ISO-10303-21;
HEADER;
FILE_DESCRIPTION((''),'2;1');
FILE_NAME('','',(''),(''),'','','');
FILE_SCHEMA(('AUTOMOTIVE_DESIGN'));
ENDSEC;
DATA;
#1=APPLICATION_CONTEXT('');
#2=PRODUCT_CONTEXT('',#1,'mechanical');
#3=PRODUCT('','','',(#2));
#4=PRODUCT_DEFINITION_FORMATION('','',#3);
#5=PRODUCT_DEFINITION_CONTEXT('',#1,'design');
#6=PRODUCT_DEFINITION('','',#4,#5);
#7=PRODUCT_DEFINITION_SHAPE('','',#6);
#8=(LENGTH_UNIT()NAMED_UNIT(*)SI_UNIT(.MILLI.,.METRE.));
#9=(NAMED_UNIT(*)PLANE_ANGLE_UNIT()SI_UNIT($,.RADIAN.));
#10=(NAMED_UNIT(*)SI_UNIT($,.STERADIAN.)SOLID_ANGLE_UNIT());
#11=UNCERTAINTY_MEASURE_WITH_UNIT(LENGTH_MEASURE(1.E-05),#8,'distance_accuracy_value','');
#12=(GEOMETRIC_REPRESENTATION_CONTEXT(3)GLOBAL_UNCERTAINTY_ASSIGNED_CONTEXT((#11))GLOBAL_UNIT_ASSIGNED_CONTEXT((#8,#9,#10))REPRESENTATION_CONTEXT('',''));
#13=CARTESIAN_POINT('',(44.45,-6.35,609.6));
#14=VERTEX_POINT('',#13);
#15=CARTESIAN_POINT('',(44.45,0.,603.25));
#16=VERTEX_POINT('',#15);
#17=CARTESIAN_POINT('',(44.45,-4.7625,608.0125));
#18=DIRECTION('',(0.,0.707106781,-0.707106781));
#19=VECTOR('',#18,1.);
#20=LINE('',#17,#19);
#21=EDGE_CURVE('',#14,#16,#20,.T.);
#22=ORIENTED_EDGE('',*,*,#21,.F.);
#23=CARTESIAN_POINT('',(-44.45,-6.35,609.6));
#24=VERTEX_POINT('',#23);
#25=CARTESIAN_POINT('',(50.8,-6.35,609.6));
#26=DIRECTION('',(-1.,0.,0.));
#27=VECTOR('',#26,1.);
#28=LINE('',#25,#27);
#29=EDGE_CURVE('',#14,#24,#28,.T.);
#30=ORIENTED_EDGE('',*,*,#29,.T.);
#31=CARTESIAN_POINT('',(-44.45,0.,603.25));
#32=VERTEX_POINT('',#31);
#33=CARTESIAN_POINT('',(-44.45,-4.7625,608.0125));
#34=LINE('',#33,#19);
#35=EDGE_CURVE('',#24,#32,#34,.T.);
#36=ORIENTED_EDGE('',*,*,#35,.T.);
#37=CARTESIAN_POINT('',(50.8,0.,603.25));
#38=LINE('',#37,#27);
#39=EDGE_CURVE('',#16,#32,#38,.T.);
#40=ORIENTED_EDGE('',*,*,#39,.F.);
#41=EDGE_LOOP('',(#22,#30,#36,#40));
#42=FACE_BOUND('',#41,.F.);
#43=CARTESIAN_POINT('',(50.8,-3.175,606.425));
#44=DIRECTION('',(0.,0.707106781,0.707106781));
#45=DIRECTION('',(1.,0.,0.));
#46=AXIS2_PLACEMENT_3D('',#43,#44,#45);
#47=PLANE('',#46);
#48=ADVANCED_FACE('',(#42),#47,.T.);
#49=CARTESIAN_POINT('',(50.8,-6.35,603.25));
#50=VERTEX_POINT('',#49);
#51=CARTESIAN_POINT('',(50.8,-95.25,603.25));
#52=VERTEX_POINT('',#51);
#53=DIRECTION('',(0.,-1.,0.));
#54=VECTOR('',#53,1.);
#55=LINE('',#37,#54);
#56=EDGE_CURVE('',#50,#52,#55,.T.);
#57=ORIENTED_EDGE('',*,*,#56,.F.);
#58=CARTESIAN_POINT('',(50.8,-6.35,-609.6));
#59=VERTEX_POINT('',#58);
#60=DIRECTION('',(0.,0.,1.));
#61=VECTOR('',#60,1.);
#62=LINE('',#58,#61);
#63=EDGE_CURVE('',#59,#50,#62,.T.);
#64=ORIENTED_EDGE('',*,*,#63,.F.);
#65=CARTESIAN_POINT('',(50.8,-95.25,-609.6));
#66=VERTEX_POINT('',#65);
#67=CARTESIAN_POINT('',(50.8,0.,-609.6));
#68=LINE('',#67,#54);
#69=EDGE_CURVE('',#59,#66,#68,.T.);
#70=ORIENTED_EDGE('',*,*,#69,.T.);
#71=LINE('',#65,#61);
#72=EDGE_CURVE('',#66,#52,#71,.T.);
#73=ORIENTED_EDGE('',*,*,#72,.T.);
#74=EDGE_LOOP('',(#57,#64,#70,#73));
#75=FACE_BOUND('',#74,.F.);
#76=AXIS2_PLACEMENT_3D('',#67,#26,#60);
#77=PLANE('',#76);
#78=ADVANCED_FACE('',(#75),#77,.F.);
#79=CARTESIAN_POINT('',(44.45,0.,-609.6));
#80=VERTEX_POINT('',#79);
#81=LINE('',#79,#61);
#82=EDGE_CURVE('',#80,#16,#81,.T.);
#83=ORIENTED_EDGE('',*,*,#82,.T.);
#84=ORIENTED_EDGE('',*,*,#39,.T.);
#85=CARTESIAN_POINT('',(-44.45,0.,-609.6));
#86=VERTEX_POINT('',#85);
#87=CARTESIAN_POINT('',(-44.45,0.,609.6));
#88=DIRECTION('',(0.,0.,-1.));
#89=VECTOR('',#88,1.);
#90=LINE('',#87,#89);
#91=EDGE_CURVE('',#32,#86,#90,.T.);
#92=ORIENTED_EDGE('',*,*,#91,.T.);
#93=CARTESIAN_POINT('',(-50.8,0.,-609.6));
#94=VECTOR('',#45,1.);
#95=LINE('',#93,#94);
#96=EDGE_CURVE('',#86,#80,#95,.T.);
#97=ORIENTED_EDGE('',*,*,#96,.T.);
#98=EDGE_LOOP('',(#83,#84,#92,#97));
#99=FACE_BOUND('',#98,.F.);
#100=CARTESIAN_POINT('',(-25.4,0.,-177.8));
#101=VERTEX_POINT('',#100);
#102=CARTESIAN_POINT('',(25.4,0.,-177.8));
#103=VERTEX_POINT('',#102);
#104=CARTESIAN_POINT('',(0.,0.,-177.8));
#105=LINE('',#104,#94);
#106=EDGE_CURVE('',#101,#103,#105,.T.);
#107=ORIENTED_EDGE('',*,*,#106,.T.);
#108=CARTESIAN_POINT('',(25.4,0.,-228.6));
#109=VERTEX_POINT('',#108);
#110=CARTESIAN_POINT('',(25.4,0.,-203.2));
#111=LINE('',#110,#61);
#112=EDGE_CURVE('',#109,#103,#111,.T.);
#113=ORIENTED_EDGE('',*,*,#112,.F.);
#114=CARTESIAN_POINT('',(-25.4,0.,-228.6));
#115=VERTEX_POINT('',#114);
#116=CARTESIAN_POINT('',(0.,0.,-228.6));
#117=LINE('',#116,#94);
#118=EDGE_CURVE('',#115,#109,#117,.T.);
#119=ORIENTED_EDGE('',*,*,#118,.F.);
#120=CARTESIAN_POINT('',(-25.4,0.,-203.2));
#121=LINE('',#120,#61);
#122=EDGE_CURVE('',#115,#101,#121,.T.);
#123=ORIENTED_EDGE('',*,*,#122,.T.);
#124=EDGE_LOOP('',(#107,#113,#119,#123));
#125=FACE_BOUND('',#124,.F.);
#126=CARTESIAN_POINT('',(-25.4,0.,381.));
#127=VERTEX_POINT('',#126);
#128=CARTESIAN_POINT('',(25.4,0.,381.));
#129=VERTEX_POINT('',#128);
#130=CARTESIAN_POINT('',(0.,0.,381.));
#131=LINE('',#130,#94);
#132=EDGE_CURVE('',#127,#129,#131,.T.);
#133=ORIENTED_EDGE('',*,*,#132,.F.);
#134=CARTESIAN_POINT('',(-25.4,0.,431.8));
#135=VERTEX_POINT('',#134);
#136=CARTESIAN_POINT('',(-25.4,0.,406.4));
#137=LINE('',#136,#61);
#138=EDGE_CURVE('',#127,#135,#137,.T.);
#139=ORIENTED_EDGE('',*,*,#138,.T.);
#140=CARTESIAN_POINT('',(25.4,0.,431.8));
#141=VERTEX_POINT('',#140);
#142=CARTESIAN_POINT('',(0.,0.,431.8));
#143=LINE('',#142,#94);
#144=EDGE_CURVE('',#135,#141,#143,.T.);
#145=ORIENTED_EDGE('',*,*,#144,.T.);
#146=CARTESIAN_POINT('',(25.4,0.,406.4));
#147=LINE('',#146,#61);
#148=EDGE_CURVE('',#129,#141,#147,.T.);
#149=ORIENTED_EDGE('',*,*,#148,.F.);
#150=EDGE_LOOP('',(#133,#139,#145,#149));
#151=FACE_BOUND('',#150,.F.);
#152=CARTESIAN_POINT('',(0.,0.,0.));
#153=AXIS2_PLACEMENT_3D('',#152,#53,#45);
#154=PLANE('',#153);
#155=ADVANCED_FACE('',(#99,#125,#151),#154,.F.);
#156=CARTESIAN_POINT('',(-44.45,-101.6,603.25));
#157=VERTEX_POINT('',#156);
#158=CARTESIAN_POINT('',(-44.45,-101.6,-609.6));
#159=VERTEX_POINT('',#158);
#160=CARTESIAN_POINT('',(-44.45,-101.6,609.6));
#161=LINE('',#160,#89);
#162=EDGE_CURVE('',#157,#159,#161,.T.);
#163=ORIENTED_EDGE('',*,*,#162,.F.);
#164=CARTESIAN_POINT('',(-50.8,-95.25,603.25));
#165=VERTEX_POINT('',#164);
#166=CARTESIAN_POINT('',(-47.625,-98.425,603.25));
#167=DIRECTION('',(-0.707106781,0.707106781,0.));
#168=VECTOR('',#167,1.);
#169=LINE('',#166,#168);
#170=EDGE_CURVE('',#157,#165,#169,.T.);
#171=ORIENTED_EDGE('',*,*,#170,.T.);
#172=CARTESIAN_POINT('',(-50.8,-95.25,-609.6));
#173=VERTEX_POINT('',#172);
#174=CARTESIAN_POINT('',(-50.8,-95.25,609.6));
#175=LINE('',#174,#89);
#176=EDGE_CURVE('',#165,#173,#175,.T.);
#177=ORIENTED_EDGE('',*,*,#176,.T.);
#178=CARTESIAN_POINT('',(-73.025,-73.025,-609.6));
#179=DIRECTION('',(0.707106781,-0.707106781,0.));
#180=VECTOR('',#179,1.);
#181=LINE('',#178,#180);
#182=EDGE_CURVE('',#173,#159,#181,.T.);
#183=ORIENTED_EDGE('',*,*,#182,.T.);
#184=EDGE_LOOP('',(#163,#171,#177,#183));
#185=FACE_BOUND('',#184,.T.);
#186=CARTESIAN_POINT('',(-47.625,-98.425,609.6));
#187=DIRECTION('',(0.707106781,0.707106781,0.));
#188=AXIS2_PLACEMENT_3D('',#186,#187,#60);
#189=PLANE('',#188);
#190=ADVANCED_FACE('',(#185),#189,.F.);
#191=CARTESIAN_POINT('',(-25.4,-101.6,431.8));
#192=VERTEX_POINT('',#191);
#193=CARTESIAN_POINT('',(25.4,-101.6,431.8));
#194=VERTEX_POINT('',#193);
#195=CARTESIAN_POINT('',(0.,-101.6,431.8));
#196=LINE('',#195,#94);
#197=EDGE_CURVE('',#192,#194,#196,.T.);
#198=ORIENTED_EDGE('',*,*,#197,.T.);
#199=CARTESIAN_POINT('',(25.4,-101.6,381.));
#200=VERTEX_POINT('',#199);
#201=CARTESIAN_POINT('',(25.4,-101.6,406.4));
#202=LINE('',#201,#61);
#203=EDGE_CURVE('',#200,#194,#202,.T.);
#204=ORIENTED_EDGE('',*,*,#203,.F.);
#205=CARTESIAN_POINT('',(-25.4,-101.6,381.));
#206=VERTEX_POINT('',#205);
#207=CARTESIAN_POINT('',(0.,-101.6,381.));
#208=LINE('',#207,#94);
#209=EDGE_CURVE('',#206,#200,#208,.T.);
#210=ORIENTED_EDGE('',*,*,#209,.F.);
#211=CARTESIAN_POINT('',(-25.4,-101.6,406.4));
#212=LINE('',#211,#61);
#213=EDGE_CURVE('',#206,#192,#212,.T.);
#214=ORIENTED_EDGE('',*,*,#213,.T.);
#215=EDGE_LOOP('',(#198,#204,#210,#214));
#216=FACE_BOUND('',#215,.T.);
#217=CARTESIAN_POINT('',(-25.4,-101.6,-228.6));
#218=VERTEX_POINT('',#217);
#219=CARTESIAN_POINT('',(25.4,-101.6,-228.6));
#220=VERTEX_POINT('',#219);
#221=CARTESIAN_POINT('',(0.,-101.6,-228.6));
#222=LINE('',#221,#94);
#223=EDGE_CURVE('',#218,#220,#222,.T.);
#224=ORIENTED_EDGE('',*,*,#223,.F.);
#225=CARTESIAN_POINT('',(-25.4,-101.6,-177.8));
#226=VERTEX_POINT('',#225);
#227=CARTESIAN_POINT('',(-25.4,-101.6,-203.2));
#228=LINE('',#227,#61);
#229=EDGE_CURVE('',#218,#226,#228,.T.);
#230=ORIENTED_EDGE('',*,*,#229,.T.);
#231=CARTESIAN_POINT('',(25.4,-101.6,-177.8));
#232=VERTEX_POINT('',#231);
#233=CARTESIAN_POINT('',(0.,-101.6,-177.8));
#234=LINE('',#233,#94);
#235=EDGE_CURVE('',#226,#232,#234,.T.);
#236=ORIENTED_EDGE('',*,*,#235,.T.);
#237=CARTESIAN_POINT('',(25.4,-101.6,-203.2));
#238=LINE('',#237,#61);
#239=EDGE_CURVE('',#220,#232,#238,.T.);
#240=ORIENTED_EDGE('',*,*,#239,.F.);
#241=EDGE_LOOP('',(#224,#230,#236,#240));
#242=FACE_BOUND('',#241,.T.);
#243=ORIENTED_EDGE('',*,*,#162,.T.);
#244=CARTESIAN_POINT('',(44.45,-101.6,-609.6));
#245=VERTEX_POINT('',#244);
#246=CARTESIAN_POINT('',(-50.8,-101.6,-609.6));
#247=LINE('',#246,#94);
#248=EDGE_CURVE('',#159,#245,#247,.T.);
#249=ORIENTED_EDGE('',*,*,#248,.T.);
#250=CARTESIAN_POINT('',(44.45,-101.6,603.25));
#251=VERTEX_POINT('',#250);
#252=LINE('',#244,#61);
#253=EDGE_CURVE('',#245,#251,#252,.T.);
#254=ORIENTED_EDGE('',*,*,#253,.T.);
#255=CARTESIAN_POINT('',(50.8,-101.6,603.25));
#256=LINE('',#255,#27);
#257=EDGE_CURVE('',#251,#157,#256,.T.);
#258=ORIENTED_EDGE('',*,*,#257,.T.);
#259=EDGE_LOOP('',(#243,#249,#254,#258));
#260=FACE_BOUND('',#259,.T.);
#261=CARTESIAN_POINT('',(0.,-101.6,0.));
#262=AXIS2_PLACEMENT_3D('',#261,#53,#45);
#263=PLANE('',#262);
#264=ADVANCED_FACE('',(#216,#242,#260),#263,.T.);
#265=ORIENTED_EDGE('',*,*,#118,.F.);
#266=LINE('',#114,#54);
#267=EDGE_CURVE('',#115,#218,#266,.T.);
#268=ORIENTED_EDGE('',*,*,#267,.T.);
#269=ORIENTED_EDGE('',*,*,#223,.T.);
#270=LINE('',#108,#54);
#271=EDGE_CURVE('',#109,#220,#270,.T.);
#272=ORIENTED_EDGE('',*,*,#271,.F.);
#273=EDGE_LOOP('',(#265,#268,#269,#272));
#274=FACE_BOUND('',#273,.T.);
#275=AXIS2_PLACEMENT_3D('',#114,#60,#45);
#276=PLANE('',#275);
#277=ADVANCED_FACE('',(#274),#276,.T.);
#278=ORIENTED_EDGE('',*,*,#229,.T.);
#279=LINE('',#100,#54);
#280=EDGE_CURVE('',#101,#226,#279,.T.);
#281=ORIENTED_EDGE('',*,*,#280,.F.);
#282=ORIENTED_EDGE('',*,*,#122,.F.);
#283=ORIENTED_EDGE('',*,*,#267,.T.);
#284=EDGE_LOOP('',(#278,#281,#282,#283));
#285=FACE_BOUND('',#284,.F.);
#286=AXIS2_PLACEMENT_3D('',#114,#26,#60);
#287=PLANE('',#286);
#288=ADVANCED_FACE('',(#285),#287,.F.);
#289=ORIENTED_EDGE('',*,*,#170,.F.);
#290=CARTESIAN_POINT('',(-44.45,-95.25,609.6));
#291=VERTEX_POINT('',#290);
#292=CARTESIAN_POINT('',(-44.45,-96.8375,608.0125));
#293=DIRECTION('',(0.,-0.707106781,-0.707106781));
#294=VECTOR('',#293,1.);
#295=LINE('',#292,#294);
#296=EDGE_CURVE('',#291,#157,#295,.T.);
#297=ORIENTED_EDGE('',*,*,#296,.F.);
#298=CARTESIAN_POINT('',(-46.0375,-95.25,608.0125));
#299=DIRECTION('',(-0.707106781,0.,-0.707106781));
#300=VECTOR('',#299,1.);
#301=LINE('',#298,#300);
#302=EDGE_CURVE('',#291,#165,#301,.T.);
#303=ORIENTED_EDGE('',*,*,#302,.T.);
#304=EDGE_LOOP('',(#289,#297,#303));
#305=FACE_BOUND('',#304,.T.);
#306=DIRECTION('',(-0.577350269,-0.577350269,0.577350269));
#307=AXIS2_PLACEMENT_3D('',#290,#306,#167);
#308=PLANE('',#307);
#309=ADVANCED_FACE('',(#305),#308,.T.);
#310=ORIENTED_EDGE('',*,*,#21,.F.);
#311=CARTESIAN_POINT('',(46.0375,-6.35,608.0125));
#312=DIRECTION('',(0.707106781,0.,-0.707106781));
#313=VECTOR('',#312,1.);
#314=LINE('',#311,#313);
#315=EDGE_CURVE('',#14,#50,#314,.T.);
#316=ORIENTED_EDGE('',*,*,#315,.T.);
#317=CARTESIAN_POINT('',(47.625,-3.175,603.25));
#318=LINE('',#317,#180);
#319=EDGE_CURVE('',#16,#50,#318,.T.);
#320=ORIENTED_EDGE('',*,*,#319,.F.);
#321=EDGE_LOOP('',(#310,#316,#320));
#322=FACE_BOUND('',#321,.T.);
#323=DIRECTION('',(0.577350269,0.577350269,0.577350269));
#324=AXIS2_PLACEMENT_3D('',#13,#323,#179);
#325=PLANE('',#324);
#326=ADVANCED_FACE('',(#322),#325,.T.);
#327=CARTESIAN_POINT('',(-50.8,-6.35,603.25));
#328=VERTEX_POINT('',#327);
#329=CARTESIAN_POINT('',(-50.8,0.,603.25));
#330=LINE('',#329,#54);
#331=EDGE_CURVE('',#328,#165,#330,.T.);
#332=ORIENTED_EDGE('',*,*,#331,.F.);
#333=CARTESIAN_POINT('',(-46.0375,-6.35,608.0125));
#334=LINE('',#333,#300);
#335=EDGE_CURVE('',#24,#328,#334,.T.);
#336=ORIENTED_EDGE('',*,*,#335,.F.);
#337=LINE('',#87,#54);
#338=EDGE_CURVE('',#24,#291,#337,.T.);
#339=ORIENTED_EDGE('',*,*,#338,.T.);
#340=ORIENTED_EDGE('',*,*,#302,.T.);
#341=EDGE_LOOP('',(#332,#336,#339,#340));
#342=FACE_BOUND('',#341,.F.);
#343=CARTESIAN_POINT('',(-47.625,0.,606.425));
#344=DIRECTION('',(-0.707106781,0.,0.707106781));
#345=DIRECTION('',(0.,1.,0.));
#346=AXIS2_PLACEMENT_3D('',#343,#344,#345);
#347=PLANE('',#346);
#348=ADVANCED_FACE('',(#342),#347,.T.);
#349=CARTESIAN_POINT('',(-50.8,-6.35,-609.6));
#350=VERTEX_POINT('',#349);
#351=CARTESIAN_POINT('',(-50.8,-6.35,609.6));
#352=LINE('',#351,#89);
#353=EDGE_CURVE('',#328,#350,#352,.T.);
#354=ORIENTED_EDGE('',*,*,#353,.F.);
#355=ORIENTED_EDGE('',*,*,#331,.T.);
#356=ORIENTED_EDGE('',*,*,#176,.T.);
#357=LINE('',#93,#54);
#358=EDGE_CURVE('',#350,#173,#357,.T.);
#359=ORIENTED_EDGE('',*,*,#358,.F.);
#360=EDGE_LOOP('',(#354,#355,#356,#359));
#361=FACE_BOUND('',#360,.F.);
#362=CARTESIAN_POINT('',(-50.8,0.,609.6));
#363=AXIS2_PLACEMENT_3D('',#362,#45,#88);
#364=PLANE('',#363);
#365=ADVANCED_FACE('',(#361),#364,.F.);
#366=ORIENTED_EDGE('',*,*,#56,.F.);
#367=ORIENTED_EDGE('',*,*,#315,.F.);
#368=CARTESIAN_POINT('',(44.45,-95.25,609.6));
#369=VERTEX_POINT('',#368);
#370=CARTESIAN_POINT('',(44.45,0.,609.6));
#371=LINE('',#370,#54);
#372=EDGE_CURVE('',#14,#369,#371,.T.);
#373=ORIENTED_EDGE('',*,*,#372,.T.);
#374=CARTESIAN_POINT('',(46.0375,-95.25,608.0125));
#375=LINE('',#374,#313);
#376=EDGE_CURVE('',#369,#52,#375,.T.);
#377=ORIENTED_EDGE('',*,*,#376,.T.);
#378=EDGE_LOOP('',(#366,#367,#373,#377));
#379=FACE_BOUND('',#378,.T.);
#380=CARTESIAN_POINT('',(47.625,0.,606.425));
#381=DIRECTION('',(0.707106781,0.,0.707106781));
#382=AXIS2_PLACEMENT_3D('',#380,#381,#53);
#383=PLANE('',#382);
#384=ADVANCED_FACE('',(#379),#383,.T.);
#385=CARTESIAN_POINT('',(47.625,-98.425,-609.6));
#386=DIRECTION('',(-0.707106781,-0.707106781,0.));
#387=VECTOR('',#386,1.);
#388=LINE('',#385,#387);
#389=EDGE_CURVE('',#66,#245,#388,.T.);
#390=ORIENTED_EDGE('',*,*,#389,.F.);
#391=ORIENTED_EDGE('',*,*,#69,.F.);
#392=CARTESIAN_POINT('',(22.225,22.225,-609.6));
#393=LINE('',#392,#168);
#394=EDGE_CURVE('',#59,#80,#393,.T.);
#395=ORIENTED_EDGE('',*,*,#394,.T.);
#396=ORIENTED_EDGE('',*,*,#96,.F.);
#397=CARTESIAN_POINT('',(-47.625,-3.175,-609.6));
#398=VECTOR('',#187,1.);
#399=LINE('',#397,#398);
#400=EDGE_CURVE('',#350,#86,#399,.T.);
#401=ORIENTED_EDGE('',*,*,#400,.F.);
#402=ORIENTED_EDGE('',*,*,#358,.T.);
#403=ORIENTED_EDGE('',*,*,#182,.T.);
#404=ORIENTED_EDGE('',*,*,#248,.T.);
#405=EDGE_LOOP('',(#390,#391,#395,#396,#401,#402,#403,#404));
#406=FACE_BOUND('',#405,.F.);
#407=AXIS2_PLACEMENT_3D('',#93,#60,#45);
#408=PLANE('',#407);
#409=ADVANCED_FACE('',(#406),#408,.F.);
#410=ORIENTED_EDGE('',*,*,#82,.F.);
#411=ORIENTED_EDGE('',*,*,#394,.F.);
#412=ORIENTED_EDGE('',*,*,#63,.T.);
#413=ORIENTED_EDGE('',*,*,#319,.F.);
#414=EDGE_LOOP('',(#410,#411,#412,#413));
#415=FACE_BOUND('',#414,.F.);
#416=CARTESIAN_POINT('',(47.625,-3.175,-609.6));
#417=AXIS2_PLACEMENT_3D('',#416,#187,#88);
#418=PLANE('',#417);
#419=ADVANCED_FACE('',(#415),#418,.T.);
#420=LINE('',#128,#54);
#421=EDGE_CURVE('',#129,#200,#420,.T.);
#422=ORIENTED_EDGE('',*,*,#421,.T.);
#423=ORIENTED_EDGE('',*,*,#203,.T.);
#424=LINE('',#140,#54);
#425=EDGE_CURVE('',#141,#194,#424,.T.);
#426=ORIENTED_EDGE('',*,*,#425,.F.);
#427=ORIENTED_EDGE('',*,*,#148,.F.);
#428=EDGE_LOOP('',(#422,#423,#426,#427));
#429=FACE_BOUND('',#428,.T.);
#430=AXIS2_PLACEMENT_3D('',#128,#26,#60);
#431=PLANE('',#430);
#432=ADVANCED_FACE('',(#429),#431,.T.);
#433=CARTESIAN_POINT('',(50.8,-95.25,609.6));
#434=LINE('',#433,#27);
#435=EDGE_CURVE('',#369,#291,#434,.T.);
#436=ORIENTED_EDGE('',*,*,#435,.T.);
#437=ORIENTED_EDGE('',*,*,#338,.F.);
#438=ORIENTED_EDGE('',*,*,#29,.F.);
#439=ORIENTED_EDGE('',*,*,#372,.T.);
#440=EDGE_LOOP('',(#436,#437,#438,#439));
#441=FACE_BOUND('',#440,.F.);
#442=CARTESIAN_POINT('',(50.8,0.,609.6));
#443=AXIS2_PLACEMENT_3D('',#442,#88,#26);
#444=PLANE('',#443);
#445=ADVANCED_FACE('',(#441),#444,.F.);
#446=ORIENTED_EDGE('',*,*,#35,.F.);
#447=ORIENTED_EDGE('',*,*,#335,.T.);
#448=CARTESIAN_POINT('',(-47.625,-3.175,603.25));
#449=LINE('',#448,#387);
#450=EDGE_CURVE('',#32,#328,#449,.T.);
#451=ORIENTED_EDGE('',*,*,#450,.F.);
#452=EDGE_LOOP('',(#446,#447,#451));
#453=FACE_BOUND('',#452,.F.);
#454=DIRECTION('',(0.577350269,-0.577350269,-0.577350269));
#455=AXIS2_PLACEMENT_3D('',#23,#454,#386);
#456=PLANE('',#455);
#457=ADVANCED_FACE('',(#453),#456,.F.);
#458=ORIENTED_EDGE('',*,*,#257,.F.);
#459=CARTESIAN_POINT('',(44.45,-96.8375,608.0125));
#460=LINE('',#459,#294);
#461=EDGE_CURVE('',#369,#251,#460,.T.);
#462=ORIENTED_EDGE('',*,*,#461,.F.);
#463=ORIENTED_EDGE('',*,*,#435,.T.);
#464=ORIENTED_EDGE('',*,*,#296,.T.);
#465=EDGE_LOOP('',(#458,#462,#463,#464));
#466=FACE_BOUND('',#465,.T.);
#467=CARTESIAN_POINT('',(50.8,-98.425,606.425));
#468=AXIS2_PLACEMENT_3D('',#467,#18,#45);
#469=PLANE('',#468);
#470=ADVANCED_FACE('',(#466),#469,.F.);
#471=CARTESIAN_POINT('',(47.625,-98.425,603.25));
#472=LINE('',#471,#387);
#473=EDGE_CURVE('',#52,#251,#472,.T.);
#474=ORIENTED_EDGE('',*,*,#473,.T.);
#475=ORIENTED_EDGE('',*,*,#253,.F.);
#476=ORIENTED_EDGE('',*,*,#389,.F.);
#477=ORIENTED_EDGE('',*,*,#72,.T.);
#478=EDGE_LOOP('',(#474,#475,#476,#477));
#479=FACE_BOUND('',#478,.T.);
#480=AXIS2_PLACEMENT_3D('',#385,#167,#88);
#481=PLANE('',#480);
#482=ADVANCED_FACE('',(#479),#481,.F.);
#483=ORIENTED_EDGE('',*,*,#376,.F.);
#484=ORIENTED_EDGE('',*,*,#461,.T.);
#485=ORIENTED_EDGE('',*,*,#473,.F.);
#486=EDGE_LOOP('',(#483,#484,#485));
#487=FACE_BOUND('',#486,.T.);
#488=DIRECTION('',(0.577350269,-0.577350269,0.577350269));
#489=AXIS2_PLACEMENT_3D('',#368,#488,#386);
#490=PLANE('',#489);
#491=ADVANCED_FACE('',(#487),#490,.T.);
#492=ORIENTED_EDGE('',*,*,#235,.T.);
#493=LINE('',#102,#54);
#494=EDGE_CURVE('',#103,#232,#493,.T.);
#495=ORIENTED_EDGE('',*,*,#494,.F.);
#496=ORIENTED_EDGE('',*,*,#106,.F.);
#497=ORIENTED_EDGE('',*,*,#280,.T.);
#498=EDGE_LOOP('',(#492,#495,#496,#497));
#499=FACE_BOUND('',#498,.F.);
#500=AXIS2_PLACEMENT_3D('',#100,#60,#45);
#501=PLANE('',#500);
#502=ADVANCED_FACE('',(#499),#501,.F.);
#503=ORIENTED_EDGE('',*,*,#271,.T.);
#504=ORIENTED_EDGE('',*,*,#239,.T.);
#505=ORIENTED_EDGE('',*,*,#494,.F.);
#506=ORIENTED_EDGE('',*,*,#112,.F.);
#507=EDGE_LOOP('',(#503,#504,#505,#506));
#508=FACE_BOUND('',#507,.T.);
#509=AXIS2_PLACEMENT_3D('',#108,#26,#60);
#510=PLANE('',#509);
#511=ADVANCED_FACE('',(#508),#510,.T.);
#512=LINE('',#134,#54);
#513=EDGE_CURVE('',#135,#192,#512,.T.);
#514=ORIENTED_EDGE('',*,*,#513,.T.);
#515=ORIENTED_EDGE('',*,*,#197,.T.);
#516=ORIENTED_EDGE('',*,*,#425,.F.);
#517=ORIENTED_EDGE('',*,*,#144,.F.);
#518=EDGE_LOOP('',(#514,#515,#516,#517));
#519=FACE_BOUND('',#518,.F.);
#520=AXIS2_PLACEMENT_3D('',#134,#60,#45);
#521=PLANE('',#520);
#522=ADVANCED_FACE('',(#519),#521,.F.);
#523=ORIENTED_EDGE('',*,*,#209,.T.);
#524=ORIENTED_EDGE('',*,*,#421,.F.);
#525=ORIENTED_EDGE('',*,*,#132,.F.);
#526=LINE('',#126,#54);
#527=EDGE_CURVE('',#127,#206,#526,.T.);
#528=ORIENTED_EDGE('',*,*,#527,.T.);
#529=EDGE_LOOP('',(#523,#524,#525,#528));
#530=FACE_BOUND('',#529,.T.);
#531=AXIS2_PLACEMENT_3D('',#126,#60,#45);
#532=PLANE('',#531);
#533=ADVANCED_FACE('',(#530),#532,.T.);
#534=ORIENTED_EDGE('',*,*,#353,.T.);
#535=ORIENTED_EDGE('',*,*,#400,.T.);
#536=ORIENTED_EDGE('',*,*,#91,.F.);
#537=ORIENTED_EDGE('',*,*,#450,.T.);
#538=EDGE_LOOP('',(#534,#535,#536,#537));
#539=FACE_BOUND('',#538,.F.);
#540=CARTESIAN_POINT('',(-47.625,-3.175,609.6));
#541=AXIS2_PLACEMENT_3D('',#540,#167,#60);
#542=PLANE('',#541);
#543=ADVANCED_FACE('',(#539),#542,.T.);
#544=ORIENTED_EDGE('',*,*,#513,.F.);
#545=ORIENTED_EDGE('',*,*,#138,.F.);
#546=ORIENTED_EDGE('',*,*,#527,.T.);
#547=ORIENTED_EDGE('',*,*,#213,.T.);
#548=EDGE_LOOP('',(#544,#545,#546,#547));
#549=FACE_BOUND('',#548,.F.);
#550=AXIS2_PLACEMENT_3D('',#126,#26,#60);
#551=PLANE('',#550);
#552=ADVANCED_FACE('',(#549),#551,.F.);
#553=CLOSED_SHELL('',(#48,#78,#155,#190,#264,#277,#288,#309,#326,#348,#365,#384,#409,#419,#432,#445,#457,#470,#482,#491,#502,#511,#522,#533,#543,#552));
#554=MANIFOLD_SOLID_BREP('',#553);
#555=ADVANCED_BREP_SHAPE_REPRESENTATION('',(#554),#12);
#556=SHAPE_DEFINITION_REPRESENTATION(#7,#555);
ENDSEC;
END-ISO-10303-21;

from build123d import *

# Parameters (mm, degrees)
F0_W     = 50.8
F0_H     = 50.8
F1_DEPTH = 101.6
F2_SIZE  = 6.35


with BuildPart() as f1:
    # F0 (on Front) → F1 (new body)
    with BuildSketch(Plane.XZ):
        Polygon((50.8, -203.2), (50.8, 609.6), (-50.8, 609.6), (-50.8, 406.4), (-50.8, -203.2), (-50.8, -609.6), (50.8, -609.6), align=None)
        with Locations((0, -203.2)):
            Rectangle(F0_W, F0_H, mode=Mode.SUBTRACT)
        with Locations((0, 406.4)):
            Rectangle(F0_W, F0_H, mode=Mode.SUBTRACT)
    extrude(amount=F1_DEPTH)

    # F2
    f2_edges = [f1.edges().sort_by_distance(p)[0] for p in [
        (-50.8, -101.6, 0),
        (50.8, -101.6, 0),
        (50.8, 0, 0),
        (-50.8, 0, 0),
        (0, 0, 609.6),
        (50.8, -50.8, 609.6),
        (0, -101.6, 609.6),
        (-50.8, -50.8, 609.6),
    ]]
    chamfer(f2_edges, length=F2_SIZE)


solid = f1.part
